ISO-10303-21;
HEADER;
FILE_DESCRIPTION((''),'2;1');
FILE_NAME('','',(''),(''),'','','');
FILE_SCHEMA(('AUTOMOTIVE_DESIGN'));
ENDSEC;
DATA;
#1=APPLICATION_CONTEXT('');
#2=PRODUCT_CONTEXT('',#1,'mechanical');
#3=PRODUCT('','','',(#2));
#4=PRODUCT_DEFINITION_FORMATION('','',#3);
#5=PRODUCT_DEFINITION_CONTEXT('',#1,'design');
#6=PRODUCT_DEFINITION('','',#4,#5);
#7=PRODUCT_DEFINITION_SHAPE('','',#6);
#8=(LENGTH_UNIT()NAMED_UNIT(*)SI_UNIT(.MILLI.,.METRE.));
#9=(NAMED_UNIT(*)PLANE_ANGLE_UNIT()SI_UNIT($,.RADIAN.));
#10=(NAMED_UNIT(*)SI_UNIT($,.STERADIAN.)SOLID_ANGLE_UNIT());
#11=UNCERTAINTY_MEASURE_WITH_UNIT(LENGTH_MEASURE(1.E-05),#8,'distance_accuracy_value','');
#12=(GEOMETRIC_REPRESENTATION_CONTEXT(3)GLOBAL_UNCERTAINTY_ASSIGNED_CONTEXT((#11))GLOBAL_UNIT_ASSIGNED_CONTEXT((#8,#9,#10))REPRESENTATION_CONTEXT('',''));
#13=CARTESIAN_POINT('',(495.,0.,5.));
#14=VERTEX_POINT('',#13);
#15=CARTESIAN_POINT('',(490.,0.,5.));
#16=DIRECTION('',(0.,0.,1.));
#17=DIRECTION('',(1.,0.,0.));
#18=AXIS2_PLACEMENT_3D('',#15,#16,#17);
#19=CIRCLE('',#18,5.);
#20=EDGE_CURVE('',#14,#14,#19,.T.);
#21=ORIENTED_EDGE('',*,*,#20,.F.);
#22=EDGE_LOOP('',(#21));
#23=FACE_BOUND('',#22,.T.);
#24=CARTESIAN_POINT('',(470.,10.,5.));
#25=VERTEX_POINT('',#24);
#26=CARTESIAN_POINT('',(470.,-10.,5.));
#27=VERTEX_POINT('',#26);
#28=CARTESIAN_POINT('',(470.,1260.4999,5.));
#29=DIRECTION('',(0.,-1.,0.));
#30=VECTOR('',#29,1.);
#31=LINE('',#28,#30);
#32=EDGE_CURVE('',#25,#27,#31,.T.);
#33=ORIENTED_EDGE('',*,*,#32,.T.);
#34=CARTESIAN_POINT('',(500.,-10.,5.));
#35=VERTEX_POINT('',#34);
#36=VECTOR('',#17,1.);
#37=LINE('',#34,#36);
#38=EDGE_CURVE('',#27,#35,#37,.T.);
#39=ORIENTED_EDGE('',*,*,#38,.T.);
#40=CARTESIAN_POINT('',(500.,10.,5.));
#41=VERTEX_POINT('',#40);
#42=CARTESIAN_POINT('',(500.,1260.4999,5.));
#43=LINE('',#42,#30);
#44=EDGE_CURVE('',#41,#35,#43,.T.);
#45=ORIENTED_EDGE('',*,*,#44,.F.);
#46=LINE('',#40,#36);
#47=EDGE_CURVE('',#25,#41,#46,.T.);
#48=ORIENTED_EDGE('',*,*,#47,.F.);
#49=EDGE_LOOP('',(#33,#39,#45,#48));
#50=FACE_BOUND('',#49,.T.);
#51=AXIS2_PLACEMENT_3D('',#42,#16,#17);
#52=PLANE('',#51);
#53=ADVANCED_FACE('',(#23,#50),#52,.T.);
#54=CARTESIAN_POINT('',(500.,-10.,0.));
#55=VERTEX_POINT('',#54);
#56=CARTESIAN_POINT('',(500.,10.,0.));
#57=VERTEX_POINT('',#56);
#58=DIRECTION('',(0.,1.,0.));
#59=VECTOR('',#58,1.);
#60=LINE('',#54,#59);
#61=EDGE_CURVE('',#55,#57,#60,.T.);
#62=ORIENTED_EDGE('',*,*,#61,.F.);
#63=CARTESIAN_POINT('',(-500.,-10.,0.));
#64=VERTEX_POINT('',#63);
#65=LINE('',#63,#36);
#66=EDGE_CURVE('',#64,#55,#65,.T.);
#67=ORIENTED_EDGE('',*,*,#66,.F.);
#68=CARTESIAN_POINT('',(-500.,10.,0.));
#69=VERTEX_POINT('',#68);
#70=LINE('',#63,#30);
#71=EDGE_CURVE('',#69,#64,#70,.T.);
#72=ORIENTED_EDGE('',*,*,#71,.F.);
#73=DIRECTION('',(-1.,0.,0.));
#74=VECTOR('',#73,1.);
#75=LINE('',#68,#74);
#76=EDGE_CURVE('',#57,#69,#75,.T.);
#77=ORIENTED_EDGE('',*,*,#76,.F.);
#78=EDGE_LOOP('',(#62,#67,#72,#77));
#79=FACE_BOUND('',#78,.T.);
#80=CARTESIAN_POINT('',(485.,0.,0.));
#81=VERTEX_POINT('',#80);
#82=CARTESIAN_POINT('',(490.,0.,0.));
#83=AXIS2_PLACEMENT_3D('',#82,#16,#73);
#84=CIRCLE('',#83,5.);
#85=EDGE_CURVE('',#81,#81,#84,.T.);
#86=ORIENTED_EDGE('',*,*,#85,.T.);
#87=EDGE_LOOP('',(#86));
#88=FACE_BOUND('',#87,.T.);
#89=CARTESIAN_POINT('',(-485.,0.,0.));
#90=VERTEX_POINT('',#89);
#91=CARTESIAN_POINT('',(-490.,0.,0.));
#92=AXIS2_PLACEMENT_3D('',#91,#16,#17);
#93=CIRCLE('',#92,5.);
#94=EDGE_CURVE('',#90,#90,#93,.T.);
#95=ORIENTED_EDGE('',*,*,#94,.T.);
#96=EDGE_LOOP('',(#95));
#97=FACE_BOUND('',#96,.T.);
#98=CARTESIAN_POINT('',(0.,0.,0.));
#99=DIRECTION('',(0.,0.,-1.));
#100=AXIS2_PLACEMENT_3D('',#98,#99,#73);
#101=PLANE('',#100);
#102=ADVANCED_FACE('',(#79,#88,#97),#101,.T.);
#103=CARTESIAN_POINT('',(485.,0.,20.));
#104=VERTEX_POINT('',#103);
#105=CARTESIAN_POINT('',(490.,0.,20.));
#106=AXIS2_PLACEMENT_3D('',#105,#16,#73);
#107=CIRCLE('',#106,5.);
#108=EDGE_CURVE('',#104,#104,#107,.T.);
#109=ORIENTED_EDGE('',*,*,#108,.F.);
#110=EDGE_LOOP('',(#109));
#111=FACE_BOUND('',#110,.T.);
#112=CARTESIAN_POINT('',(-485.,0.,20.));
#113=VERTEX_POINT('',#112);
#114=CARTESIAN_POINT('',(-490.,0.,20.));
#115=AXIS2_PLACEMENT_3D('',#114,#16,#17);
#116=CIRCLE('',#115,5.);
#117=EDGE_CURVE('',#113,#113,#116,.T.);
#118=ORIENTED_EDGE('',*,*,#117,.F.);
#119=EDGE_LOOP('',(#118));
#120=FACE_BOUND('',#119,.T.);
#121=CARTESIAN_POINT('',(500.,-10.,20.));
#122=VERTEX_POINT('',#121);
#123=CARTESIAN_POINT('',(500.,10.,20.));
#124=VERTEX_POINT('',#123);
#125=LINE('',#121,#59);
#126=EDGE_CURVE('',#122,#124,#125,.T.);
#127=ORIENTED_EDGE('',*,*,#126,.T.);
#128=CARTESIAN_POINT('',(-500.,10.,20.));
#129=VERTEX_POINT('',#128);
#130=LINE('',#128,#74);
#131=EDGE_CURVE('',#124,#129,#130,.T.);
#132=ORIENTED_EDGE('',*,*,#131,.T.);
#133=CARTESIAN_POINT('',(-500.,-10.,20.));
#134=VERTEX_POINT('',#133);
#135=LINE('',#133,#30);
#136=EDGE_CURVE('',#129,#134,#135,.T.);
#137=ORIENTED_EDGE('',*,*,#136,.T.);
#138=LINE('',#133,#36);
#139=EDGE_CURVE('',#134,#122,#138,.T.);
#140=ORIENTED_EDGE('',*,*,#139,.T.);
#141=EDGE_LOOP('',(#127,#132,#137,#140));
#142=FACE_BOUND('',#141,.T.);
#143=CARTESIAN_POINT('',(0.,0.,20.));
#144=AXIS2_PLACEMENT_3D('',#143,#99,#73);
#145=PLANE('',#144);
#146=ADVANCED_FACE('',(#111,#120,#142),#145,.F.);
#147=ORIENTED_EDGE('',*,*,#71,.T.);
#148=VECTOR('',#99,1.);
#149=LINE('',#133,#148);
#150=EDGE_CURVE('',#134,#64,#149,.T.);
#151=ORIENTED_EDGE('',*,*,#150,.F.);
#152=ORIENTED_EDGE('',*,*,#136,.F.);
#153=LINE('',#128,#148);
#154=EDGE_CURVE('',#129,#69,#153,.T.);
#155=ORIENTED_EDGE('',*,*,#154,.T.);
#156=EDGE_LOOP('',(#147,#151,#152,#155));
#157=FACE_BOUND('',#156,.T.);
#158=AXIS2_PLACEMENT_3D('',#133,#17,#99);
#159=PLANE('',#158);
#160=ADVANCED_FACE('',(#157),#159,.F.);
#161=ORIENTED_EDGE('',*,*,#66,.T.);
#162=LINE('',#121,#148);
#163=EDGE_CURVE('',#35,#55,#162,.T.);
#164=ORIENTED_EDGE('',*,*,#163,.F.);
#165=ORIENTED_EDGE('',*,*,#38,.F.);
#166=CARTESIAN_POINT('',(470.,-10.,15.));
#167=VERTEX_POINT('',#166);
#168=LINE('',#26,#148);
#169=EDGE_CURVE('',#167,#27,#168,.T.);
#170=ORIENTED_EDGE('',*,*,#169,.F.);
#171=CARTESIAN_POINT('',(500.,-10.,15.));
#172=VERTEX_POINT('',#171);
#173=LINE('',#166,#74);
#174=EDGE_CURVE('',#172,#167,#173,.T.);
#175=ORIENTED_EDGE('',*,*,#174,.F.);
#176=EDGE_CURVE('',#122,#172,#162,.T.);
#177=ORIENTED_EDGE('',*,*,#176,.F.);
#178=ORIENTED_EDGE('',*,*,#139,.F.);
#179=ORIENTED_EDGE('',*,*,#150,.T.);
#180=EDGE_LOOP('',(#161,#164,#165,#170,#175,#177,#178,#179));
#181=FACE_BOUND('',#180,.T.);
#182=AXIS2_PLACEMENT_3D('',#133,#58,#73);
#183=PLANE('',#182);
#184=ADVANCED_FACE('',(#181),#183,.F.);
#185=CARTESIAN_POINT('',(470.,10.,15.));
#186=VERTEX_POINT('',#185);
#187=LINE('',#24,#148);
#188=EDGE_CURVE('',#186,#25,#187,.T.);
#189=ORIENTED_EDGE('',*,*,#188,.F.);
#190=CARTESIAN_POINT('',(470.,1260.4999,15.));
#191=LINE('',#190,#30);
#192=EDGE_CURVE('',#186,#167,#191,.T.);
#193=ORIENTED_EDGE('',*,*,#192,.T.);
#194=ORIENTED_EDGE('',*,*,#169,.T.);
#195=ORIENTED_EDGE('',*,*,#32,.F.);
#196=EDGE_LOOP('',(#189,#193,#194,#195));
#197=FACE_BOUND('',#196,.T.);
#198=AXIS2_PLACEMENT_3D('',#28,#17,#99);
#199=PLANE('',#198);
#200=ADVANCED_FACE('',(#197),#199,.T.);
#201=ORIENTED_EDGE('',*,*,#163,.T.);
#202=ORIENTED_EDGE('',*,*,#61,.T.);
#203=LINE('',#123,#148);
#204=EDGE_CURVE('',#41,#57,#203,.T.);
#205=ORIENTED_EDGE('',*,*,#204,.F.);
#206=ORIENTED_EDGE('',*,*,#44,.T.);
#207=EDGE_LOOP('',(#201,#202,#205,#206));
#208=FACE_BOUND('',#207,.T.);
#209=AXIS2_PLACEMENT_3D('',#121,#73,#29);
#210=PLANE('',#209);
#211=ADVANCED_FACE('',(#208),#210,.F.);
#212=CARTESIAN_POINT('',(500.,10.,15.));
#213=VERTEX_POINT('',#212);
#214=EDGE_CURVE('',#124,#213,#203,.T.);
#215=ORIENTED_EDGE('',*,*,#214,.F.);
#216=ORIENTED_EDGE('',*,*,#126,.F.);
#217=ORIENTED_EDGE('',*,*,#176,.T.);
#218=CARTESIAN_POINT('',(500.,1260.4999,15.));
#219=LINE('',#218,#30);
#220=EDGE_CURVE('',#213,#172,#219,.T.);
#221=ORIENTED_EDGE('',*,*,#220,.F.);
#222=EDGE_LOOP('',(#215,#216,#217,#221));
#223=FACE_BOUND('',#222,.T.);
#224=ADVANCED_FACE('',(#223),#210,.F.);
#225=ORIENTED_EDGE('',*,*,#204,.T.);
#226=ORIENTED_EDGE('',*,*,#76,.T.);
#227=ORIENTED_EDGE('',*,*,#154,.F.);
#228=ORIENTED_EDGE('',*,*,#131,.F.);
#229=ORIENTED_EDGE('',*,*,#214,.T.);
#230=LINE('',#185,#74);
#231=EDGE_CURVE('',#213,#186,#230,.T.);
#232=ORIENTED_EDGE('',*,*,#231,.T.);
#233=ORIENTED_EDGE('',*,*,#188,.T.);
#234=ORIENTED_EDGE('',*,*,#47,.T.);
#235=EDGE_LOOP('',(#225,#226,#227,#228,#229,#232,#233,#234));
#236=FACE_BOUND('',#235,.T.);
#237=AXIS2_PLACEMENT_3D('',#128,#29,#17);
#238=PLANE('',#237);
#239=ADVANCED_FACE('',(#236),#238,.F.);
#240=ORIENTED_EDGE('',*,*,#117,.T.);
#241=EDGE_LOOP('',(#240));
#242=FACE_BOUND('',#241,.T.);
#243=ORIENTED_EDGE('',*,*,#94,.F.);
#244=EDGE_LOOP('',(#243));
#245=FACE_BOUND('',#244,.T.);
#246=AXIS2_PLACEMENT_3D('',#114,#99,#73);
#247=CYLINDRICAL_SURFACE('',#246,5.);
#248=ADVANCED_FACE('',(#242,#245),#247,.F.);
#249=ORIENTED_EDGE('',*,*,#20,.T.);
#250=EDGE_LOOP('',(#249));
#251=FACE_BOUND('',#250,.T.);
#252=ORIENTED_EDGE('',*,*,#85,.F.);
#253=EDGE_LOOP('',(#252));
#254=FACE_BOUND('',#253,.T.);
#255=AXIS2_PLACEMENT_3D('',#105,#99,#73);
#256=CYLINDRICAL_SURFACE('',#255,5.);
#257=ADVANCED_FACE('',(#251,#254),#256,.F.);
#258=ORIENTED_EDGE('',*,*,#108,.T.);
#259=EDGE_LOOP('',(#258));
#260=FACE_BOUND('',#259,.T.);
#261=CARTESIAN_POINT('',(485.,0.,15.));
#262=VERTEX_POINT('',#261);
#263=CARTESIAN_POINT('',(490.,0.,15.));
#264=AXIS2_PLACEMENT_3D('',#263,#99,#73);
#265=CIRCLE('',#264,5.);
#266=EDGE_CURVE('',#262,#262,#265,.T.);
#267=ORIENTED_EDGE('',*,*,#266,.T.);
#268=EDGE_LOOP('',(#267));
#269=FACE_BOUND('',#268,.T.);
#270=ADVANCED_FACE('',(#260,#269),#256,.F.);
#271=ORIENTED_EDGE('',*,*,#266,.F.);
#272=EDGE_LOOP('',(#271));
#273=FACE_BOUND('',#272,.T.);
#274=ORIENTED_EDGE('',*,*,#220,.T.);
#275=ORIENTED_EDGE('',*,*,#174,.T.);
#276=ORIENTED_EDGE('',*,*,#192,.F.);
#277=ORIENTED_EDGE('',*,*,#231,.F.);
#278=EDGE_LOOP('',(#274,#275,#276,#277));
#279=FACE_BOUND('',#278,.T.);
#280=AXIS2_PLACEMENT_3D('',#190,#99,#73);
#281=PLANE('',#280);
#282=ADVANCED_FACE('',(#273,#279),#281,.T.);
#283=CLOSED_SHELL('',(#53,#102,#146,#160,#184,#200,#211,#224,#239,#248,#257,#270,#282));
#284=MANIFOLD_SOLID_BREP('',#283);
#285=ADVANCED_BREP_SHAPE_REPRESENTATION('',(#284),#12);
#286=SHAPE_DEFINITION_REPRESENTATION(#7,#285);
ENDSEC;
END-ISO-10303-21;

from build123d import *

# Parameters (mm, degrees)
SKETCH_1_W               = 1000
SKETCH_1_H               = 20
SKETCH_1_R               = 5
EXTRUDE_1_DEPTH          = 20
CUT_EXTRUDE_1_DEPTH      = 501.799361022
CUT_EXTRUDE_1_DEPTH_BACK = 20


with BuildPart() as part:
    # Эскиз1 → Бобышка-Вытянуть1 (new body)
    with BuildSketch(Plane.XY):
        Rectangle(SKETCH_1_W, SKETCH_1_H)
        with Locations((-490, 0)):
            Circle(SKETCH_1_R, mode=Mode.SUBTRACT)
        with Locations(Location((490, 0, 0), (0, 0, 180))):
            Circle(SKETCH_1_R, mode=Mode.SUBTRACT)
    extrude(amount=EXTRUDE_1_DEPTH)

    # Эскиз2 → Вырез-Вытянуть1 (cut, two sides: drawn at the far end of the back side and taken through both)
    with BuildSketch(Plane(origin=(0, 10, 0), x_dir=(1, 0, 0), z_dir=(0, 1, 0)).offset(-CUT_EXTRUDE_1_DEPTH_BACK)):
        Polygon((2510.224987345, -5), (500, -5), (470, -5), (470, -15), (500, -15), (2510.224987345, -15), (6530.674962036, -15), (6530.674962036, -5), align=None)
    extrude(amount=CUT_EXTRUDE_1_DEPTH + CUT_EXTRUDE_1_DEPTH_BACK, mode=Mode.SUBTRACT)


solid = part.part
